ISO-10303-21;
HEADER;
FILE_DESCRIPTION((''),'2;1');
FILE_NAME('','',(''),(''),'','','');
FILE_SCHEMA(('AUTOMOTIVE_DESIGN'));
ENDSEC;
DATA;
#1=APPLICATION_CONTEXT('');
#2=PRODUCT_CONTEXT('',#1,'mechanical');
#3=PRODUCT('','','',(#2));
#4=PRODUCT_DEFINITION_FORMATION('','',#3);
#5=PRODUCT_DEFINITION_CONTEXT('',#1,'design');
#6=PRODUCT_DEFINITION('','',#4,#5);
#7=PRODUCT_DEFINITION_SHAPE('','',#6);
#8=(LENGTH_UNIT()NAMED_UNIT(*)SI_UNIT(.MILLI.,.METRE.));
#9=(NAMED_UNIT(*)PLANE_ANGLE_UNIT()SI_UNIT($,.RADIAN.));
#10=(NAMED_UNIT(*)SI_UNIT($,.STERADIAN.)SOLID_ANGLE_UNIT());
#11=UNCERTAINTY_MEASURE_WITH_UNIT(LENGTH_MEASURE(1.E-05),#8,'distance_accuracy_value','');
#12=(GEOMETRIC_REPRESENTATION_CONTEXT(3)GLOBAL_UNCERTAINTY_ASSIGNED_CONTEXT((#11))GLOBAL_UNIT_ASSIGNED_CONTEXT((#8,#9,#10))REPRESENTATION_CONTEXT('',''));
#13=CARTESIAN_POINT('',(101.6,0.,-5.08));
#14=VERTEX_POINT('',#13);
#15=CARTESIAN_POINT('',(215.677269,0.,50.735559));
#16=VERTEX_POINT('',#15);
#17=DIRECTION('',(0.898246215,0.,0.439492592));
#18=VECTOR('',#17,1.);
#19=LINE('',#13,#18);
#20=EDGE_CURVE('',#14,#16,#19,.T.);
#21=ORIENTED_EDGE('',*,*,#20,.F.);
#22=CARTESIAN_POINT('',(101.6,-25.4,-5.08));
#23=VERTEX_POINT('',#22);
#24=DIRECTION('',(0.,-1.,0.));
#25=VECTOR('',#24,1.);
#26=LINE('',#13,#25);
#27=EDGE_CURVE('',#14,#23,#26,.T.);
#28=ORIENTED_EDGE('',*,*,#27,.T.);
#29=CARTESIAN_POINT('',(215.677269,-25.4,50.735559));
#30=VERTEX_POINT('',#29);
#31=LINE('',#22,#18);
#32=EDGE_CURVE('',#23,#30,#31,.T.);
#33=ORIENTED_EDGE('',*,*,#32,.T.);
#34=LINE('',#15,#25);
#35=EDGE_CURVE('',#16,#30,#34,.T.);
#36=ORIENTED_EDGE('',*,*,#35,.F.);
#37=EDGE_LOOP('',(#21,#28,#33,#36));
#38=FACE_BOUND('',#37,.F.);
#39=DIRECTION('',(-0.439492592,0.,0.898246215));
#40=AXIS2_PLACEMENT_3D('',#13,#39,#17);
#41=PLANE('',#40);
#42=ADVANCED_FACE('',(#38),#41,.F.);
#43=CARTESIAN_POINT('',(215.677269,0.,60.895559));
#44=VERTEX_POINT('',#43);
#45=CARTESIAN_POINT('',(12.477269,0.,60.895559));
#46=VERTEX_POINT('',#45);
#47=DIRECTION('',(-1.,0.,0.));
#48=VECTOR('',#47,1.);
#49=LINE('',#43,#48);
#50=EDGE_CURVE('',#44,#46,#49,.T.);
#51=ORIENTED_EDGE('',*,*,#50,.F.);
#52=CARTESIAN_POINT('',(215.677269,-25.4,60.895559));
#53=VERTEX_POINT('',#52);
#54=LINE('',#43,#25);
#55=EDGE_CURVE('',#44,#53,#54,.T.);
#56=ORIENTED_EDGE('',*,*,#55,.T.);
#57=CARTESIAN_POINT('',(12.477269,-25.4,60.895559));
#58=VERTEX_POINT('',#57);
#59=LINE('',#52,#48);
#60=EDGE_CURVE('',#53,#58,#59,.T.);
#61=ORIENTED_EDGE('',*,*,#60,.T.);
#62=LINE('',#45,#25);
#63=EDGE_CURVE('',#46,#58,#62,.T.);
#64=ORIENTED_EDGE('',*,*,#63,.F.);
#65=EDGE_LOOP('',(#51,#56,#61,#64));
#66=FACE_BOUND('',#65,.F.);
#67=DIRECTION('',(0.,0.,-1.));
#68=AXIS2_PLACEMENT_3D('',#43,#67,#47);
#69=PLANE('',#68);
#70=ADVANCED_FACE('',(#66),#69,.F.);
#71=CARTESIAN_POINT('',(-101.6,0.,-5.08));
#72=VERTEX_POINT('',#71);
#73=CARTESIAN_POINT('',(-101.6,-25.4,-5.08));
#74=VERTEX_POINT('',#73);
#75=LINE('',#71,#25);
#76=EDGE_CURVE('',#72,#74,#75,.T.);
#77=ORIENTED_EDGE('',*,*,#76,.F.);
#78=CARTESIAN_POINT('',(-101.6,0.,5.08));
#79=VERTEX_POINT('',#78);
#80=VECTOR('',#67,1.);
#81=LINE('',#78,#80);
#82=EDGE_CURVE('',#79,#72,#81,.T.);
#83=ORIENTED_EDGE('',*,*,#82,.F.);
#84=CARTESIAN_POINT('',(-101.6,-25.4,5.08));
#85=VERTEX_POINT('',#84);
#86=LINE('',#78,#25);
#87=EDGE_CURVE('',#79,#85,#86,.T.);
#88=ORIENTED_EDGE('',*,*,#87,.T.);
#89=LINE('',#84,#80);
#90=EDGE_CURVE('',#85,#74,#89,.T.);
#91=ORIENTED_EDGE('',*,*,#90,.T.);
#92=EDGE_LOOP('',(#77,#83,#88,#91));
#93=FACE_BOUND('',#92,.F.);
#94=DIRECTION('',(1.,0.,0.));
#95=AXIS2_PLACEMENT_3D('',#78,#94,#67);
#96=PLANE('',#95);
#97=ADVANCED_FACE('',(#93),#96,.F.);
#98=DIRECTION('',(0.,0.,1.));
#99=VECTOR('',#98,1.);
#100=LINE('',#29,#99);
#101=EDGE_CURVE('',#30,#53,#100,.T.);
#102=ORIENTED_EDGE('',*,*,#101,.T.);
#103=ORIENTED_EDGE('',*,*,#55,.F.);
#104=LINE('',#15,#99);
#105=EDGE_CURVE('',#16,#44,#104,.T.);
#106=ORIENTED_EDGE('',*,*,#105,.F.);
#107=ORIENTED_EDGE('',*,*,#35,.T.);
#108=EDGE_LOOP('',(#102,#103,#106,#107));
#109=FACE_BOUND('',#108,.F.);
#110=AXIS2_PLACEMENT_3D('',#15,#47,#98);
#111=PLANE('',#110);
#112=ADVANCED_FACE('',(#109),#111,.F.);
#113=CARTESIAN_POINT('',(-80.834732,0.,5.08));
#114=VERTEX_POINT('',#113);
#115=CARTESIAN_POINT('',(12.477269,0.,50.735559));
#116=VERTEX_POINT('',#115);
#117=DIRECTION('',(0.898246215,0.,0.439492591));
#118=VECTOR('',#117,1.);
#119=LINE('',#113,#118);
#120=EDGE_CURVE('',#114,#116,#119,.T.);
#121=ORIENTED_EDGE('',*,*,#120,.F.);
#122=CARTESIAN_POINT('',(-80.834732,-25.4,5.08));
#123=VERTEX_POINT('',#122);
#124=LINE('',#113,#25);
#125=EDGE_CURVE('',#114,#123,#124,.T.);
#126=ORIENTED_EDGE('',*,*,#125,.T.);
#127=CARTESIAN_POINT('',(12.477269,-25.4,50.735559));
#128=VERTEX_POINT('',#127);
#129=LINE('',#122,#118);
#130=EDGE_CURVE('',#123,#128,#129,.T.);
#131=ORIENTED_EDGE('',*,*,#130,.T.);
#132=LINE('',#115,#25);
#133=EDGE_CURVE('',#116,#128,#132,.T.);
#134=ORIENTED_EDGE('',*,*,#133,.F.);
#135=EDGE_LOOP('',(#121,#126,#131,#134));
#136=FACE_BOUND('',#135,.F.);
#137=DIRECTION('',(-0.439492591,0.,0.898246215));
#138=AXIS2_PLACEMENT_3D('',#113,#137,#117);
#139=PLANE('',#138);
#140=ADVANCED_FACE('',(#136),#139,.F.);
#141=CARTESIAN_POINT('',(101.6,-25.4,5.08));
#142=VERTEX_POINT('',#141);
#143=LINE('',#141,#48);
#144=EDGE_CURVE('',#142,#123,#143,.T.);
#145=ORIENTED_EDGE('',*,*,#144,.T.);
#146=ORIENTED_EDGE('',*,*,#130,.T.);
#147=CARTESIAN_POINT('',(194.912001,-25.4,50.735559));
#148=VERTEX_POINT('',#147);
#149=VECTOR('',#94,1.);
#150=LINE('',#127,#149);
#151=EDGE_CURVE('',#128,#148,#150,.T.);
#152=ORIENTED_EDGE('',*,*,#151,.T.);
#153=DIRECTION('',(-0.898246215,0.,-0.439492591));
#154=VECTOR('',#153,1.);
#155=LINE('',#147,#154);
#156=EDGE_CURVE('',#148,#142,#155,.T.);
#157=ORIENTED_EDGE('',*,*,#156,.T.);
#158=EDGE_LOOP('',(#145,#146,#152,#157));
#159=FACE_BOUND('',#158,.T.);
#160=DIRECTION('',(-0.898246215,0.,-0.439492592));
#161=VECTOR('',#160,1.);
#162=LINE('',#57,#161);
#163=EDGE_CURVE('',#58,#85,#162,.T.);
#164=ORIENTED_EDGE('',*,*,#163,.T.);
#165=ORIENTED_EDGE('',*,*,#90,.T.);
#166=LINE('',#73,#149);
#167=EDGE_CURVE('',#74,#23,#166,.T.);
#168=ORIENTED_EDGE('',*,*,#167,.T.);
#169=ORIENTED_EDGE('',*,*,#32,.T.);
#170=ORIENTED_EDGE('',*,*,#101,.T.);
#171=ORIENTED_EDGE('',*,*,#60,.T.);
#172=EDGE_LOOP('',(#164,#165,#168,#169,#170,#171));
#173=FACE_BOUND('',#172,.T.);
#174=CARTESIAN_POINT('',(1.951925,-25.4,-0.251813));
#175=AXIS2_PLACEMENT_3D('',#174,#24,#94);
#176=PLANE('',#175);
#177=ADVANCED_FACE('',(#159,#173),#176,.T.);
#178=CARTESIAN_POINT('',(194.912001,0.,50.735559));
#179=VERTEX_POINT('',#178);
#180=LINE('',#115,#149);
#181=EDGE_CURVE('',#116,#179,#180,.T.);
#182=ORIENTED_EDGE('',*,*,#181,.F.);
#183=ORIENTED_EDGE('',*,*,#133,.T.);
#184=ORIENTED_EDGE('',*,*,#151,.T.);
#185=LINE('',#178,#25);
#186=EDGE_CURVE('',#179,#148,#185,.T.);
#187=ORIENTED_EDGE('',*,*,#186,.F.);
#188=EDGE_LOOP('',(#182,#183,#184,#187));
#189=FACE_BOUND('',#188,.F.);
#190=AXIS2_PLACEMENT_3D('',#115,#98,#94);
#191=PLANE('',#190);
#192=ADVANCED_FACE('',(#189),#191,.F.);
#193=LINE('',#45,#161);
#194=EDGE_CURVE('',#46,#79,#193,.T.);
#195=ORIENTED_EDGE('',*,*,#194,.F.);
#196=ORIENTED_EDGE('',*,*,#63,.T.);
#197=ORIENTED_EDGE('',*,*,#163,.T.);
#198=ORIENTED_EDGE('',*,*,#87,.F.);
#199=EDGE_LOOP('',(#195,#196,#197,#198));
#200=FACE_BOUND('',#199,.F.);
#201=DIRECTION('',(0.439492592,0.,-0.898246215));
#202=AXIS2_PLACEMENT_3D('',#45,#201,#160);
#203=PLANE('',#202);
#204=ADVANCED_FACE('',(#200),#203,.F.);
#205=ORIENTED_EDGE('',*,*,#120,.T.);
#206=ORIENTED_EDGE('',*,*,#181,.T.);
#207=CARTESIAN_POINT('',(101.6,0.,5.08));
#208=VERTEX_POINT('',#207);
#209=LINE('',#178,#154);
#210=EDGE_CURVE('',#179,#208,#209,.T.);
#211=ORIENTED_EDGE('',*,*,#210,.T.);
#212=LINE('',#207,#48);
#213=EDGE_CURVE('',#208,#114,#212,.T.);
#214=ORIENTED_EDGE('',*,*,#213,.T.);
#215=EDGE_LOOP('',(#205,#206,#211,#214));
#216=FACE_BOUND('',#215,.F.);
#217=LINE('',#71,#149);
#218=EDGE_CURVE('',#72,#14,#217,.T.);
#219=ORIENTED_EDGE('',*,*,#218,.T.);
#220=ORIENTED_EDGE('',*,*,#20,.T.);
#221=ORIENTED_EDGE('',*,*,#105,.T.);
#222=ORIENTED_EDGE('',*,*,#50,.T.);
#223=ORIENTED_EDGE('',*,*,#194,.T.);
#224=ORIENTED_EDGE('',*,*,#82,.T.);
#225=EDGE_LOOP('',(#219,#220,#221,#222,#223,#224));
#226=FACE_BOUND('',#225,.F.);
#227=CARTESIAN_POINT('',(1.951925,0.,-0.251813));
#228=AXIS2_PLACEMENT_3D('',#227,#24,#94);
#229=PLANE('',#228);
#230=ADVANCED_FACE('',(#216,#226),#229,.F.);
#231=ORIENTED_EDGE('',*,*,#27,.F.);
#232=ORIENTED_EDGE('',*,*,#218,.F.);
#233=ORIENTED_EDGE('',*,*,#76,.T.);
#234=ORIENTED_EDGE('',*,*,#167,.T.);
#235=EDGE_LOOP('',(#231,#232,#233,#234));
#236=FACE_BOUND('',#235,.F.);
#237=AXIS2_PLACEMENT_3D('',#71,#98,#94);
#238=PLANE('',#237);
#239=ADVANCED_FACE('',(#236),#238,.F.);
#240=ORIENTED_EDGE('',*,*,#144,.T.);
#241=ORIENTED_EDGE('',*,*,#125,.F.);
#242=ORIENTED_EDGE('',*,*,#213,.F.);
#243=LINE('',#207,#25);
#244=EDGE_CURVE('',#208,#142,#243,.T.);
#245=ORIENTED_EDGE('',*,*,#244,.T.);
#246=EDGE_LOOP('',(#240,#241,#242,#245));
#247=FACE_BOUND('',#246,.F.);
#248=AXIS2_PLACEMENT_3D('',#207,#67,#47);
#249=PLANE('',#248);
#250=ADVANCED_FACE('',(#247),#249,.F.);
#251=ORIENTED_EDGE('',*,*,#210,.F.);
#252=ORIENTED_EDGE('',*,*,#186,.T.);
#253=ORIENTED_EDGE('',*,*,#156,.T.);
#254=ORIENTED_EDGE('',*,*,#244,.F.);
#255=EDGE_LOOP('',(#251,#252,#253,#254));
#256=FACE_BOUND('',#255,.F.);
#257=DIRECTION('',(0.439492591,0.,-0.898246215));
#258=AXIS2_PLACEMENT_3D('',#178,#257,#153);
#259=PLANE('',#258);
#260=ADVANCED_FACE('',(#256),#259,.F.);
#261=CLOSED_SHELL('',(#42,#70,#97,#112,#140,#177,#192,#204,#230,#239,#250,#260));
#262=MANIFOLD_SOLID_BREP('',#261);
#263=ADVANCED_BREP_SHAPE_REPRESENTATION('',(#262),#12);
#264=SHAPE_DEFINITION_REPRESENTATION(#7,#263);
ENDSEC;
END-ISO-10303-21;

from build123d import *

# Parameters (mm, degrees)
F1_DEPTH = 25.4


with BuildPart() as f1:
    # F0 (on Front) → F1 (new body)
    with BuildSketch(Plane.XZ):
        Polygon((-101.6, -5.08), (101.6, -5.08), (101.6, 5.08), (-80.834732, 5.08), align=None)
        Polygon((101.6, 5.08), (101.6, -5.08), (215.677269, 50.735559), (194.912001, 50.735559), align=None)
        Polygon((-101.6, 5.08), (-101.6, -5.08), (-80.834732, 5.08), align=None)
        Polygon((194.912001, 50.735559), (215.677269, 50.735559), (215.677269, 60.895559), align=None)
        Polygon((12.477269, 60.895559), (-101.6, 5.08), (-80.834732, 5.08), (12.477269, 50.735559), align=None)
        Polygon((12.477269, 50.735559), (194.912001, 50.735559), (215.677269, 60.895559), (12.477269, 60.895559), align=None)
    extrude(amount=F1_DEPTH)


solid = f1.part
